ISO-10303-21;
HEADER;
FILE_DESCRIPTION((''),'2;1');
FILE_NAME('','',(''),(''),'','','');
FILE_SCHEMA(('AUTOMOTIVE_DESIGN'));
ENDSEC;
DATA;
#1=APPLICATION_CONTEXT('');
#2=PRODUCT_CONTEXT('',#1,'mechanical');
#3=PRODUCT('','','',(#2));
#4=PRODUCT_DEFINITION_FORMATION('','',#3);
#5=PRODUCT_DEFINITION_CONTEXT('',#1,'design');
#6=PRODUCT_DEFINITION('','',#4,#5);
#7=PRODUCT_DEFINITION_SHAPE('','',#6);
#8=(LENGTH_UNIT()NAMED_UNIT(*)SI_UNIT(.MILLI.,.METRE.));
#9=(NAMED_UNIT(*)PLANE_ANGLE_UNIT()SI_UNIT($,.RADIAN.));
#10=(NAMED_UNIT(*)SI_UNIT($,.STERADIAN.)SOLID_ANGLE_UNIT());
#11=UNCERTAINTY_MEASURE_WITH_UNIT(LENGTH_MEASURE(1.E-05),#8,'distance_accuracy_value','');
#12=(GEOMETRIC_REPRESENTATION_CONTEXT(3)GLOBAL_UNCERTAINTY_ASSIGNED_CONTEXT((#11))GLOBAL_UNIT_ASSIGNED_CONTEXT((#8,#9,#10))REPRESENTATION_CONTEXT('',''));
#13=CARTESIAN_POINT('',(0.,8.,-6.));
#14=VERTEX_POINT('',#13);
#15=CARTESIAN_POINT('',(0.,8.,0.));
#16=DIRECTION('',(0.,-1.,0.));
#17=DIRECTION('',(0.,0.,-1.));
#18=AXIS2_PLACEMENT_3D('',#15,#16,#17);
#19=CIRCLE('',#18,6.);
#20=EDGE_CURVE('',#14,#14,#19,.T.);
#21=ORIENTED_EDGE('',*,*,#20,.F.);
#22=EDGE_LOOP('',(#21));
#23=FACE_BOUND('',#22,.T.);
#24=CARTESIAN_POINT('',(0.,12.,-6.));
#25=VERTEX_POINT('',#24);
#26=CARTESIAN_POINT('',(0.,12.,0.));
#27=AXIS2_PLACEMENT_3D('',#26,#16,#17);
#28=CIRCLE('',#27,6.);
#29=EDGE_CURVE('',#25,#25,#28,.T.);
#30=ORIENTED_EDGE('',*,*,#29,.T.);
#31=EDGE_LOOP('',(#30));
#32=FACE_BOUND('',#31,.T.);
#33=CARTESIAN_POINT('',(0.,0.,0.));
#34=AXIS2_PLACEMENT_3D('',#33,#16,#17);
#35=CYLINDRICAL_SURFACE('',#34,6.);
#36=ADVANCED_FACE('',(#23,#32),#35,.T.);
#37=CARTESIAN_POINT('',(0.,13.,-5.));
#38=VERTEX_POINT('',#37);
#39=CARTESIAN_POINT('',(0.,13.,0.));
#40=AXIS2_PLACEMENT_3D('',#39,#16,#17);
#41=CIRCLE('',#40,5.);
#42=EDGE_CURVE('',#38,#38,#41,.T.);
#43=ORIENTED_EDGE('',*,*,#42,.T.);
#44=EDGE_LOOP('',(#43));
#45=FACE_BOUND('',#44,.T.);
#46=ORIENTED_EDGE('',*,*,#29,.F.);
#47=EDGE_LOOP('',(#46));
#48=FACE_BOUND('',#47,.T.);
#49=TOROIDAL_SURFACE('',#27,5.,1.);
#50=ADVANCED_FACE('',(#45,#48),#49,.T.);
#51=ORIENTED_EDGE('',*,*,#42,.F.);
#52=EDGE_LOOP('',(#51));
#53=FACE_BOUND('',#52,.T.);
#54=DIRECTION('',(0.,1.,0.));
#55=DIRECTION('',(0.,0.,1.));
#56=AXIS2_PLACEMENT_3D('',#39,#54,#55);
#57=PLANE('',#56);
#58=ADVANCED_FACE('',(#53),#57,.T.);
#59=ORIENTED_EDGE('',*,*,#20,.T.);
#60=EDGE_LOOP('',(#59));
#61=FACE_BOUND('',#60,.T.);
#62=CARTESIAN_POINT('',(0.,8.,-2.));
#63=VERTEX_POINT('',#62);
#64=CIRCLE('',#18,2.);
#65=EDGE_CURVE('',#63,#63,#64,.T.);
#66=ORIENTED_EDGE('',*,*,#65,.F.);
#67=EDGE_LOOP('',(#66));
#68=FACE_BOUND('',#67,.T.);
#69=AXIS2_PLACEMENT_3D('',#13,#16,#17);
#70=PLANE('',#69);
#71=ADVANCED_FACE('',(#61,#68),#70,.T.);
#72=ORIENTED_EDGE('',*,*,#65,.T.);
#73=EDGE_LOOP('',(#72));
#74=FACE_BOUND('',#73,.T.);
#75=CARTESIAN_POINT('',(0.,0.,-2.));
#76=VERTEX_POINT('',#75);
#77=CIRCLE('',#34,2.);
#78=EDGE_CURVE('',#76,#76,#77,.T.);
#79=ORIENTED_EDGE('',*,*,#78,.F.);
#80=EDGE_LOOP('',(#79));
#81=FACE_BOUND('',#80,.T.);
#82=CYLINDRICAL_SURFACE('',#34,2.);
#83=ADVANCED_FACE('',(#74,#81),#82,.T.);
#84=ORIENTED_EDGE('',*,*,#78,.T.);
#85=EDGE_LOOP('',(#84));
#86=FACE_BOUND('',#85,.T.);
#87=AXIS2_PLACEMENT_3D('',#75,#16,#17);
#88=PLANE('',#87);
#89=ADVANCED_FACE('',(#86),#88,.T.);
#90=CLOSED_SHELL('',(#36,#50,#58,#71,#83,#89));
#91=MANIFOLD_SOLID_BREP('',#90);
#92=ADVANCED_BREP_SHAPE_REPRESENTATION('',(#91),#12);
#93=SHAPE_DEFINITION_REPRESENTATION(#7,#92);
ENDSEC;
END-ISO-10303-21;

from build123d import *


with BuildPart() as part:
    # Sketch1 → Revolve1 (revolve)
    with BuildSketch(Plane(origin=(0, 0, 0), x_dir=(0, 0, -1), z_dir=(1, 0, 0))):
        with BuildLine():
            Line((0, 0), (0, 13))
            Line((0, 13), (5, 13))
            ThreePointArc((5, 13), (5.707106781, 12.707106781), (6, 12))
            Line((6, 12), (6, 8))
            Line((6, 8), (2, 8))
            Line((2, 8), (2, 0))
            Line((2, 0), (0, 0))
        make_face()
    revolve(axis=Axis((0, 0, 0), (0, 1, 0)))


solid = part.part
